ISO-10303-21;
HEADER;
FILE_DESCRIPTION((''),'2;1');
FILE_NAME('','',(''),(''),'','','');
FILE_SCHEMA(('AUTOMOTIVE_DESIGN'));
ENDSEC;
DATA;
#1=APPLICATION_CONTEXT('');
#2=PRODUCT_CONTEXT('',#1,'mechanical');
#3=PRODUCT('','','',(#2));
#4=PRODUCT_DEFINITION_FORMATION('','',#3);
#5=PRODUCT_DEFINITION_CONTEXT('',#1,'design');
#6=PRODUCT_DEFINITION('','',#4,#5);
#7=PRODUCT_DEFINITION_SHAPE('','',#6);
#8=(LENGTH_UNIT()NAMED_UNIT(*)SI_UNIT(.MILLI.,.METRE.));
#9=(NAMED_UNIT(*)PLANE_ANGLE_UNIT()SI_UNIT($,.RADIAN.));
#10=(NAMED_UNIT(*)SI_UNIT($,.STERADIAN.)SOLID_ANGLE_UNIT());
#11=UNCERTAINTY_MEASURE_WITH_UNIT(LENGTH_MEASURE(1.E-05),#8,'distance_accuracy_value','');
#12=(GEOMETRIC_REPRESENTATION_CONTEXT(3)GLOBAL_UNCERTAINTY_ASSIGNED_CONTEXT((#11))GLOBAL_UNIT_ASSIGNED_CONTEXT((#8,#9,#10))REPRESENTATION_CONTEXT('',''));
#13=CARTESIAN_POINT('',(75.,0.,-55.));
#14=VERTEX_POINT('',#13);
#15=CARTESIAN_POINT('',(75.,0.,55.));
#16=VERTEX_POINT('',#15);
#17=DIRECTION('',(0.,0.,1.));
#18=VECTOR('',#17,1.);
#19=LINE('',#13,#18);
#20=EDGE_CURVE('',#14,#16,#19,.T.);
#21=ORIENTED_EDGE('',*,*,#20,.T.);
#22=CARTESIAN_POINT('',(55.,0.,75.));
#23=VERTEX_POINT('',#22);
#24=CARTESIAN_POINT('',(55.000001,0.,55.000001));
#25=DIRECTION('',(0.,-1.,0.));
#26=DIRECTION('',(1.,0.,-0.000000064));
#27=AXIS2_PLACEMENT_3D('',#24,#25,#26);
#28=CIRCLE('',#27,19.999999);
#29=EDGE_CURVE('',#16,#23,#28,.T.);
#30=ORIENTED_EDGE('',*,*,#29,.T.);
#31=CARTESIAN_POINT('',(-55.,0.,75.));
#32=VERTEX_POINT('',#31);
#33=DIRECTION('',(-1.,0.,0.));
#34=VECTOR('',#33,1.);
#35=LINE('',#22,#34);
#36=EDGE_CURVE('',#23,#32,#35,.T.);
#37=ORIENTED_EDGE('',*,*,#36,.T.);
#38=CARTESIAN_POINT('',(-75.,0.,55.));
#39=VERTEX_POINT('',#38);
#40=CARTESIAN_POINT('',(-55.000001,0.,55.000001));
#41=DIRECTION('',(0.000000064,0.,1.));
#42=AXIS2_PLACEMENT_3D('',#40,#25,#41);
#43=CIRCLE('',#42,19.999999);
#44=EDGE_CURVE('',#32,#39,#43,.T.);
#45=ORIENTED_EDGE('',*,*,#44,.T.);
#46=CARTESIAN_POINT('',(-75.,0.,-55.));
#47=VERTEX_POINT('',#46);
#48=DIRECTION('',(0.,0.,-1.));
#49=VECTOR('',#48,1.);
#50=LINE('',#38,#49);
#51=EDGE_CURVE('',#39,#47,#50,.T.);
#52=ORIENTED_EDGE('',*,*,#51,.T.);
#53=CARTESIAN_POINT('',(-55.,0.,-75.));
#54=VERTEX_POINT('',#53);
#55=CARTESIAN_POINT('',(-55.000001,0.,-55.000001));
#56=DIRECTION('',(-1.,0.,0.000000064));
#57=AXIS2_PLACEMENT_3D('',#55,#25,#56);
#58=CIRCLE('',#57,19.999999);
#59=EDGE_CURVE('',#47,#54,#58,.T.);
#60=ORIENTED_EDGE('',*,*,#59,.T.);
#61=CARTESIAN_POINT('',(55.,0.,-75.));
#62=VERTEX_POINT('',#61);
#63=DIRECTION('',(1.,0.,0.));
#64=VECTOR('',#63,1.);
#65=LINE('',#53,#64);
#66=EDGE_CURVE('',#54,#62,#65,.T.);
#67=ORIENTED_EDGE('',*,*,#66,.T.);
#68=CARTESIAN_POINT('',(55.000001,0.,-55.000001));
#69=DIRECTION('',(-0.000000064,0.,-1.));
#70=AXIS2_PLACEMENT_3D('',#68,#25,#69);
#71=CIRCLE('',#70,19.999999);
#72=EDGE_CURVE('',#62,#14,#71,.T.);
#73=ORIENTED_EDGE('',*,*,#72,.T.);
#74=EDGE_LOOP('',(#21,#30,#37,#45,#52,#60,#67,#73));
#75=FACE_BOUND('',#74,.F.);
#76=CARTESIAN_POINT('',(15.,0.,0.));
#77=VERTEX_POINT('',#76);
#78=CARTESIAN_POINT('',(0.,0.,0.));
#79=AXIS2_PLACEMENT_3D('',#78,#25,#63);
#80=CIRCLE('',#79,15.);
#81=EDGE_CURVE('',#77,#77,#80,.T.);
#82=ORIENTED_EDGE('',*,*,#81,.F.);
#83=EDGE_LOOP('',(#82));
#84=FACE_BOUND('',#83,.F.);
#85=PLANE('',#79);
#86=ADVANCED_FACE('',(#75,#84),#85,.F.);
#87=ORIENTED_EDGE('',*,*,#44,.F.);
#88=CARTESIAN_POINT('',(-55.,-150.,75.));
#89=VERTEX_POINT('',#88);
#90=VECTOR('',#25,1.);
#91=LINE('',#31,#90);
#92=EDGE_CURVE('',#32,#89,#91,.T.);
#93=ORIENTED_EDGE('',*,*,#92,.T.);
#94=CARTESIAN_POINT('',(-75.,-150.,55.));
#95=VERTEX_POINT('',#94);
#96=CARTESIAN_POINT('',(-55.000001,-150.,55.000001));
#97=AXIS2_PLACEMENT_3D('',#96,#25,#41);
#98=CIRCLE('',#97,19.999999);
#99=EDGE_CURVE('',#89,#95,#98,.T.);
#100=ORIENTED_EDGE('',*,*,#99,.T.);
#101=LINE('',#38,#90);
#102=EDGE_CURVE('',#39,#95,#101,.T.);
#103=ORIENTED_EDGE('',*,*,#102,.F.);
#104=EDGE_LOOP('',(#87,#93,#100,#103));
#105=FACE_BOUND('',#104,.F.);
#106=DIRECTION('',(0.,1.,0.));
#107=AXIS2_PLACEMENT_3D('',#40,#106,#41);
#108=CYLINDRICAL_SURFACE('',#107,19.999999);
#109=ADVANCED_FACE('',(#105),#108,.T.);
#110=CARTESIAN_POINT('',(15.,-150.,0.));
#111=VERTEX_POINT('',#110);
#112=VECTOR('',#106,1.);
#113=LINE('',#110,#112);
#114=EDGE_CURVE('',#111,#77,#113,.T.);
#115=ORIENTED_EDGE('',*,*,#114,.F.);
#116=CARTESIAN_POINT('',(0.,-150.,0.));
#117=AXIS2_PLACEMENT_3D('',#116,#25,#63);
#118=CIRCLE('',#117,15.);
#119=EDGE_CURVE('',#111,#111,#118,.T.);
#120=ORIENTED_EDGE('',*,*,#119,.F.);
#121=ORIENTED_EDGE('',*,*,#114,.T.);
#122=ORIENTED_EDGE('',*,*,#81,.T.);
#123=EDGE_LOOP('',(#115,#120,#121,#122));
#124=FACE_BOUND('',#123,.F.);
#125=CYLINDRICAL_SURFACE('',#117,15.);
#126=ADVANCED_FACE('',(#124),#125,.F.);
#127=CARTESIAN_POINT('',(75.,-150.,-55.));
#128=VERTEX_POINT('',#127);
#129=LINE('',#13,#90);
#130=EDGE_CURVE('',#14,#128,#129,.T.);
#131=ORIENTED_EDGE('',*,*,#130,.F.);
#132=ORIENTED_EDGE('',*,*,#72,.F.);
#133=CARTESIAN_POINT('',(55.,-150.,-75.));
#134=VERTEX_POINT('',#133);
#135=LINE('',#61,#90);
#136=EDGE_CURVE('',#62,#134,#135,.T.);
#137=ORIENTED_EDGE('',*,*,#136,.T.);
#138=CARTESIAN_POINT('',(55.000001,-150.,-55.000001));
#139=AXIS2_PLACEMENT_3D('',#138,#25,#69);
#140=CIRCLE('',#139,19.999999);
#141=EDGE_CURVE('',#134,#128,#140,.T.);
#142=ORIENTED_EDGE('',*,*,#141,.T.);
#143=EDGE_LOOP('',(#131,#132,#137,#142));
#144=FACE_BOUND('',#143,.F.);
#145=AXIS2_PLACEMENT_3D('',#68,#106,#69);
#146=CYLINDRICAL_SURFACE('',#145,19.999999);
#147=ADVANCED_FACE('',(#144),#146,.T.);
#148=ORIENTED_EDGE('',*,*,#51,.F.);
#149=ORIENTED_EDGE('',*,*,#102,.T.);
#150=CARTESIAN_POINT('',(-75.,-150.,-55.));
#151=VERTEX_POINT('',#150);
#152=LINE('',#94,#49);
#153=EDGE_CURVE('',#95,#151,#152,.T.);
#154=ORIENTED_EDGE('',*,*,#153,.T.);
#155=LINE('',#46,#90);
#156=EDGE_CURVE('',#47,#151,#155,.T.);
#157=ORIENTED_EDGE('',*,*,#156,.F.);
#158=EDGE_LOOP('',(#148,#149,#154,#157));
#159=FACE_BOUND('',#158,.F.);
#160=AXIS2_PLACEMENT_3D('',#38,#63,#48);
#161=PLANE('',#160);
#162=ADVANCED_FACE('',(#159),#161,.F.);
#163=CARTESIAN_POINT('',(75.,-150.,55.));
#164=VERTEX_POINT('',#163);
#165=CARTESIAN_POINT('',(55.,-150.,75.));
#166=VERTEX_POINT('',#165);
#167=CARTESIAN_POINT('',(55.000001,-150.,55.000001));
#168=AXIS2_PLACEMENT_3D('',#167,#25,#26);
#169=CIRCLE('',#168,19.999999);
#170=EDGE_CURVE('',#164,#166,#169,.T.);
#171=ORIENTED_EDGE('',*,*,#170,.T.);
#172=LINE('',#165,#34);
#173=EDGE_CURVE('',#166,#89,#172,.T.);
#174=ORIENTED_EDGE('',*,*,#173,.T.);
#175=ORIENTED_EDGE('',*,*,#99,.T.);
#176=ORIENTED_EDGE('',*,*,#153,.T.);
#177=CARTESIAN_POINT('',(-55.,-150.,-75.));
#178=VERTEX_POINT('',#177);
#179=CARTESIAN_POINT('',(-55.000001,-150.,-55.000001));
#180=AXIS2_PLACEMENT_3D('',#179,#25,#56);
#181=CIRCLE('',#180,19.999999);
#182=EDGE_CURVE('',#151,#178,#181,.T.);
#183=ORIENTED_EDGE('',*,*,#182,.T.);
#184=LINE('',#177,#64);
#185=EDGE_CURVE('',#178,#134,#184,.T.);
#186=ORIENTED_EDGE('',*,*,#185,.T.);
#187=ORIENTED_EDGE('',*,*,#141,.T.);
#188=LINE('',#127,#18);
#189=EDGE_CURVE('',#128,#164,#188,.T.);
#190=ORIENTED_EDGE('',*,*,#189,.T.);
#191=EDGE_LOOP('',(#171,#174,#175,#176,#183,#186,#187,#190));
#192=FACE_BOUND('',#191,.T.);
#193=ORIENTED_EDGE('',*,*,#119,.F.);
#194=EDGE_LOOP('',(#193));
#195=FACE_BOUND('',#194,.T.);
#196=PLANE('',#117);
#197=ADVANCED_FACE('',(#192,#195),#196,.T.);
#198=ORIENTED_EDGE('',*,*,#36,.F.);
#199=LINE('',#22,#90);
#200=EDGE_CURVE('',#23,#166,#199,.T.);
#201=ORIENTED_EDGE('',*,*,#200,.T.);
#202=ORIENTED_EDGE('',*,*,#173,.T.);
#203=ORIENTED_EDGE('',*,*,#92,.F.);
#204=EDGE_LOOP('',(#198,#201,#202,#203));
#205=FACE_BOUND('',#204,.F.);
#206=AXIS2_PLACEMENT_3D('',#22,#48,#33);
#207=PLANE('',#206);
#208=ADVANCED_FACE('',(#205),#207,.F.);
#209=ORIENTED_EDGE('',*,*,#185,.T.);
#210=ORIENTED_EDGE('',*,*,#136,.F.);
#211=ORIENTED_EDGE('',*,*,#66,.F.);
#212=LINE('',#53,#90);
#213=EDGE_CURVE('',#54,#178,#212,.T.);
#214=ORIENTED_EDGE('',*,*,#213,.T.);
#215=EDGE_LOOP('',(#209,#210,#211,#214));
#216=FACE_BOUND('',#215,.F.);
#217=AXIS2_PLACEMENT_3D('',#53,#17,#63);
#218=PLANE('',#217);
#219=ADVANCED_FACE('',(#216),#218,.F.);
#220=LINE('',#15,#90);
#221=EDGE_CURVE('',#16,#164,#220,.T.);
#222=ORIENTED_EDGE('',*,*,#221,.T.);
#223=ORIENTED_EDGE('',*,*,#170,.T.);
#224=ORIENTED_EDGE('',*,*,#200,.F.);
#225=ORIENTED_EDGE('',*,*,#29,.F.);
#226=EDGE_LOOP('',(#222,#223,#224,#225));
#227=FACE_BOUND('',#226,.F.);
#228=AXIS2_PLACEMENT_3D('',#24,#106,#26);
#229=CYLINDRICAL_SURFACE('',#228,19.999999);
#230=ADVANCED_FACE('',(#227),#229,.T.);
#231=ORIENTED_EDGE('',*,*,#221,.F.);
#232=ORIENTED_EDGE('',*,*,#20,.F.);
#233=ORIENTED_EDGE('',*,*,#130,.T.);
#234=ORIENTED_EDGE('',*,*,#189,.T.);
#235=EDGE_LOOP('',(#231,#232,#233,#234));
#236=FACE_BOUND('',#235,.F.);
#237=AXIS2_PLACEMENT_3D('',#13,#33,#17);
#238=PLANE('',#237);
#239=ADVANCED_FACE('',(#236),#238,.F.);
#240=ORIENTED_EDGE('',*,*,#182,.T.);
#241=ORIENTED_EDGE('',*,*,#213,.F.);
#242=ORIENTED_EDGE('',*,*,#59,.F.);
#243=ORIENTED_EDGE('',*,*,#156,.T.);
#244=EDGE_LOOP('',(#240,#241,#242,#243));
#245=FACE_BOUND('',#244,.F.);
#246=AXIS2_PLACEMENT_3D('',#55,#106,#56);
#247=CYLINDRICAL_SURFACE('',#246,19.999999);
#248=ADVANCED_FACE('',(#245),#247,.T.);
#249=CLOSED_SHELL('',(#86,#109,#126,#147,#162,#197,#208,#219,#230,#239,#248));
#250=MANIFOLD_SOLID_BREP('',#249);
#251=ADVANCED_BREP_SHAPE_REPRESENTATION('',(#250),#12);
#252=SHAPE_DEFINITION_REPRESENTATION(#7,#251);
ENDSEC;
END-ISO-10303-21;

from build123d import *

# Parameters (mm, degrees)
F1_DEPTH = 150
F2_R     = 15
F3_DEPTH = 150.001


with BuildPart() as f1:
    # F0 (on Front) → F1 (new body)
    with BuildSketch(Plane.XZ):
        with BuildLine():
            Line((55, 75), (-55, 75))
            ThreePointArc((-55, 75), (-69.142136, 69.142136), (-75, 55))
            Line((-75, 55), (-75, -55))
            ThreePointArc((-75, -55), (-69.142136, -69.142136), (-55, -75))
            Line((-55, -75), (55, -75))
            ThreePointArc((55, -75), (69.142136, -69.142136), (75, -55))
            Line((75, -55), (75, 55))
            ThreePointArc((75, 55), (69.142136, 69.142136), (55, 75))
        make_face()
    extrude(amount=F1_DEPTH)

    # F2 (on face) → F3 (cut, through all)
    with BuildSketch(Plane.XZ.offset(150)):
        Circle(F2_R)
    extrude(amount=-F3_DEPTH, mode=Mode.SUBTRACT)


solid = f1.part
